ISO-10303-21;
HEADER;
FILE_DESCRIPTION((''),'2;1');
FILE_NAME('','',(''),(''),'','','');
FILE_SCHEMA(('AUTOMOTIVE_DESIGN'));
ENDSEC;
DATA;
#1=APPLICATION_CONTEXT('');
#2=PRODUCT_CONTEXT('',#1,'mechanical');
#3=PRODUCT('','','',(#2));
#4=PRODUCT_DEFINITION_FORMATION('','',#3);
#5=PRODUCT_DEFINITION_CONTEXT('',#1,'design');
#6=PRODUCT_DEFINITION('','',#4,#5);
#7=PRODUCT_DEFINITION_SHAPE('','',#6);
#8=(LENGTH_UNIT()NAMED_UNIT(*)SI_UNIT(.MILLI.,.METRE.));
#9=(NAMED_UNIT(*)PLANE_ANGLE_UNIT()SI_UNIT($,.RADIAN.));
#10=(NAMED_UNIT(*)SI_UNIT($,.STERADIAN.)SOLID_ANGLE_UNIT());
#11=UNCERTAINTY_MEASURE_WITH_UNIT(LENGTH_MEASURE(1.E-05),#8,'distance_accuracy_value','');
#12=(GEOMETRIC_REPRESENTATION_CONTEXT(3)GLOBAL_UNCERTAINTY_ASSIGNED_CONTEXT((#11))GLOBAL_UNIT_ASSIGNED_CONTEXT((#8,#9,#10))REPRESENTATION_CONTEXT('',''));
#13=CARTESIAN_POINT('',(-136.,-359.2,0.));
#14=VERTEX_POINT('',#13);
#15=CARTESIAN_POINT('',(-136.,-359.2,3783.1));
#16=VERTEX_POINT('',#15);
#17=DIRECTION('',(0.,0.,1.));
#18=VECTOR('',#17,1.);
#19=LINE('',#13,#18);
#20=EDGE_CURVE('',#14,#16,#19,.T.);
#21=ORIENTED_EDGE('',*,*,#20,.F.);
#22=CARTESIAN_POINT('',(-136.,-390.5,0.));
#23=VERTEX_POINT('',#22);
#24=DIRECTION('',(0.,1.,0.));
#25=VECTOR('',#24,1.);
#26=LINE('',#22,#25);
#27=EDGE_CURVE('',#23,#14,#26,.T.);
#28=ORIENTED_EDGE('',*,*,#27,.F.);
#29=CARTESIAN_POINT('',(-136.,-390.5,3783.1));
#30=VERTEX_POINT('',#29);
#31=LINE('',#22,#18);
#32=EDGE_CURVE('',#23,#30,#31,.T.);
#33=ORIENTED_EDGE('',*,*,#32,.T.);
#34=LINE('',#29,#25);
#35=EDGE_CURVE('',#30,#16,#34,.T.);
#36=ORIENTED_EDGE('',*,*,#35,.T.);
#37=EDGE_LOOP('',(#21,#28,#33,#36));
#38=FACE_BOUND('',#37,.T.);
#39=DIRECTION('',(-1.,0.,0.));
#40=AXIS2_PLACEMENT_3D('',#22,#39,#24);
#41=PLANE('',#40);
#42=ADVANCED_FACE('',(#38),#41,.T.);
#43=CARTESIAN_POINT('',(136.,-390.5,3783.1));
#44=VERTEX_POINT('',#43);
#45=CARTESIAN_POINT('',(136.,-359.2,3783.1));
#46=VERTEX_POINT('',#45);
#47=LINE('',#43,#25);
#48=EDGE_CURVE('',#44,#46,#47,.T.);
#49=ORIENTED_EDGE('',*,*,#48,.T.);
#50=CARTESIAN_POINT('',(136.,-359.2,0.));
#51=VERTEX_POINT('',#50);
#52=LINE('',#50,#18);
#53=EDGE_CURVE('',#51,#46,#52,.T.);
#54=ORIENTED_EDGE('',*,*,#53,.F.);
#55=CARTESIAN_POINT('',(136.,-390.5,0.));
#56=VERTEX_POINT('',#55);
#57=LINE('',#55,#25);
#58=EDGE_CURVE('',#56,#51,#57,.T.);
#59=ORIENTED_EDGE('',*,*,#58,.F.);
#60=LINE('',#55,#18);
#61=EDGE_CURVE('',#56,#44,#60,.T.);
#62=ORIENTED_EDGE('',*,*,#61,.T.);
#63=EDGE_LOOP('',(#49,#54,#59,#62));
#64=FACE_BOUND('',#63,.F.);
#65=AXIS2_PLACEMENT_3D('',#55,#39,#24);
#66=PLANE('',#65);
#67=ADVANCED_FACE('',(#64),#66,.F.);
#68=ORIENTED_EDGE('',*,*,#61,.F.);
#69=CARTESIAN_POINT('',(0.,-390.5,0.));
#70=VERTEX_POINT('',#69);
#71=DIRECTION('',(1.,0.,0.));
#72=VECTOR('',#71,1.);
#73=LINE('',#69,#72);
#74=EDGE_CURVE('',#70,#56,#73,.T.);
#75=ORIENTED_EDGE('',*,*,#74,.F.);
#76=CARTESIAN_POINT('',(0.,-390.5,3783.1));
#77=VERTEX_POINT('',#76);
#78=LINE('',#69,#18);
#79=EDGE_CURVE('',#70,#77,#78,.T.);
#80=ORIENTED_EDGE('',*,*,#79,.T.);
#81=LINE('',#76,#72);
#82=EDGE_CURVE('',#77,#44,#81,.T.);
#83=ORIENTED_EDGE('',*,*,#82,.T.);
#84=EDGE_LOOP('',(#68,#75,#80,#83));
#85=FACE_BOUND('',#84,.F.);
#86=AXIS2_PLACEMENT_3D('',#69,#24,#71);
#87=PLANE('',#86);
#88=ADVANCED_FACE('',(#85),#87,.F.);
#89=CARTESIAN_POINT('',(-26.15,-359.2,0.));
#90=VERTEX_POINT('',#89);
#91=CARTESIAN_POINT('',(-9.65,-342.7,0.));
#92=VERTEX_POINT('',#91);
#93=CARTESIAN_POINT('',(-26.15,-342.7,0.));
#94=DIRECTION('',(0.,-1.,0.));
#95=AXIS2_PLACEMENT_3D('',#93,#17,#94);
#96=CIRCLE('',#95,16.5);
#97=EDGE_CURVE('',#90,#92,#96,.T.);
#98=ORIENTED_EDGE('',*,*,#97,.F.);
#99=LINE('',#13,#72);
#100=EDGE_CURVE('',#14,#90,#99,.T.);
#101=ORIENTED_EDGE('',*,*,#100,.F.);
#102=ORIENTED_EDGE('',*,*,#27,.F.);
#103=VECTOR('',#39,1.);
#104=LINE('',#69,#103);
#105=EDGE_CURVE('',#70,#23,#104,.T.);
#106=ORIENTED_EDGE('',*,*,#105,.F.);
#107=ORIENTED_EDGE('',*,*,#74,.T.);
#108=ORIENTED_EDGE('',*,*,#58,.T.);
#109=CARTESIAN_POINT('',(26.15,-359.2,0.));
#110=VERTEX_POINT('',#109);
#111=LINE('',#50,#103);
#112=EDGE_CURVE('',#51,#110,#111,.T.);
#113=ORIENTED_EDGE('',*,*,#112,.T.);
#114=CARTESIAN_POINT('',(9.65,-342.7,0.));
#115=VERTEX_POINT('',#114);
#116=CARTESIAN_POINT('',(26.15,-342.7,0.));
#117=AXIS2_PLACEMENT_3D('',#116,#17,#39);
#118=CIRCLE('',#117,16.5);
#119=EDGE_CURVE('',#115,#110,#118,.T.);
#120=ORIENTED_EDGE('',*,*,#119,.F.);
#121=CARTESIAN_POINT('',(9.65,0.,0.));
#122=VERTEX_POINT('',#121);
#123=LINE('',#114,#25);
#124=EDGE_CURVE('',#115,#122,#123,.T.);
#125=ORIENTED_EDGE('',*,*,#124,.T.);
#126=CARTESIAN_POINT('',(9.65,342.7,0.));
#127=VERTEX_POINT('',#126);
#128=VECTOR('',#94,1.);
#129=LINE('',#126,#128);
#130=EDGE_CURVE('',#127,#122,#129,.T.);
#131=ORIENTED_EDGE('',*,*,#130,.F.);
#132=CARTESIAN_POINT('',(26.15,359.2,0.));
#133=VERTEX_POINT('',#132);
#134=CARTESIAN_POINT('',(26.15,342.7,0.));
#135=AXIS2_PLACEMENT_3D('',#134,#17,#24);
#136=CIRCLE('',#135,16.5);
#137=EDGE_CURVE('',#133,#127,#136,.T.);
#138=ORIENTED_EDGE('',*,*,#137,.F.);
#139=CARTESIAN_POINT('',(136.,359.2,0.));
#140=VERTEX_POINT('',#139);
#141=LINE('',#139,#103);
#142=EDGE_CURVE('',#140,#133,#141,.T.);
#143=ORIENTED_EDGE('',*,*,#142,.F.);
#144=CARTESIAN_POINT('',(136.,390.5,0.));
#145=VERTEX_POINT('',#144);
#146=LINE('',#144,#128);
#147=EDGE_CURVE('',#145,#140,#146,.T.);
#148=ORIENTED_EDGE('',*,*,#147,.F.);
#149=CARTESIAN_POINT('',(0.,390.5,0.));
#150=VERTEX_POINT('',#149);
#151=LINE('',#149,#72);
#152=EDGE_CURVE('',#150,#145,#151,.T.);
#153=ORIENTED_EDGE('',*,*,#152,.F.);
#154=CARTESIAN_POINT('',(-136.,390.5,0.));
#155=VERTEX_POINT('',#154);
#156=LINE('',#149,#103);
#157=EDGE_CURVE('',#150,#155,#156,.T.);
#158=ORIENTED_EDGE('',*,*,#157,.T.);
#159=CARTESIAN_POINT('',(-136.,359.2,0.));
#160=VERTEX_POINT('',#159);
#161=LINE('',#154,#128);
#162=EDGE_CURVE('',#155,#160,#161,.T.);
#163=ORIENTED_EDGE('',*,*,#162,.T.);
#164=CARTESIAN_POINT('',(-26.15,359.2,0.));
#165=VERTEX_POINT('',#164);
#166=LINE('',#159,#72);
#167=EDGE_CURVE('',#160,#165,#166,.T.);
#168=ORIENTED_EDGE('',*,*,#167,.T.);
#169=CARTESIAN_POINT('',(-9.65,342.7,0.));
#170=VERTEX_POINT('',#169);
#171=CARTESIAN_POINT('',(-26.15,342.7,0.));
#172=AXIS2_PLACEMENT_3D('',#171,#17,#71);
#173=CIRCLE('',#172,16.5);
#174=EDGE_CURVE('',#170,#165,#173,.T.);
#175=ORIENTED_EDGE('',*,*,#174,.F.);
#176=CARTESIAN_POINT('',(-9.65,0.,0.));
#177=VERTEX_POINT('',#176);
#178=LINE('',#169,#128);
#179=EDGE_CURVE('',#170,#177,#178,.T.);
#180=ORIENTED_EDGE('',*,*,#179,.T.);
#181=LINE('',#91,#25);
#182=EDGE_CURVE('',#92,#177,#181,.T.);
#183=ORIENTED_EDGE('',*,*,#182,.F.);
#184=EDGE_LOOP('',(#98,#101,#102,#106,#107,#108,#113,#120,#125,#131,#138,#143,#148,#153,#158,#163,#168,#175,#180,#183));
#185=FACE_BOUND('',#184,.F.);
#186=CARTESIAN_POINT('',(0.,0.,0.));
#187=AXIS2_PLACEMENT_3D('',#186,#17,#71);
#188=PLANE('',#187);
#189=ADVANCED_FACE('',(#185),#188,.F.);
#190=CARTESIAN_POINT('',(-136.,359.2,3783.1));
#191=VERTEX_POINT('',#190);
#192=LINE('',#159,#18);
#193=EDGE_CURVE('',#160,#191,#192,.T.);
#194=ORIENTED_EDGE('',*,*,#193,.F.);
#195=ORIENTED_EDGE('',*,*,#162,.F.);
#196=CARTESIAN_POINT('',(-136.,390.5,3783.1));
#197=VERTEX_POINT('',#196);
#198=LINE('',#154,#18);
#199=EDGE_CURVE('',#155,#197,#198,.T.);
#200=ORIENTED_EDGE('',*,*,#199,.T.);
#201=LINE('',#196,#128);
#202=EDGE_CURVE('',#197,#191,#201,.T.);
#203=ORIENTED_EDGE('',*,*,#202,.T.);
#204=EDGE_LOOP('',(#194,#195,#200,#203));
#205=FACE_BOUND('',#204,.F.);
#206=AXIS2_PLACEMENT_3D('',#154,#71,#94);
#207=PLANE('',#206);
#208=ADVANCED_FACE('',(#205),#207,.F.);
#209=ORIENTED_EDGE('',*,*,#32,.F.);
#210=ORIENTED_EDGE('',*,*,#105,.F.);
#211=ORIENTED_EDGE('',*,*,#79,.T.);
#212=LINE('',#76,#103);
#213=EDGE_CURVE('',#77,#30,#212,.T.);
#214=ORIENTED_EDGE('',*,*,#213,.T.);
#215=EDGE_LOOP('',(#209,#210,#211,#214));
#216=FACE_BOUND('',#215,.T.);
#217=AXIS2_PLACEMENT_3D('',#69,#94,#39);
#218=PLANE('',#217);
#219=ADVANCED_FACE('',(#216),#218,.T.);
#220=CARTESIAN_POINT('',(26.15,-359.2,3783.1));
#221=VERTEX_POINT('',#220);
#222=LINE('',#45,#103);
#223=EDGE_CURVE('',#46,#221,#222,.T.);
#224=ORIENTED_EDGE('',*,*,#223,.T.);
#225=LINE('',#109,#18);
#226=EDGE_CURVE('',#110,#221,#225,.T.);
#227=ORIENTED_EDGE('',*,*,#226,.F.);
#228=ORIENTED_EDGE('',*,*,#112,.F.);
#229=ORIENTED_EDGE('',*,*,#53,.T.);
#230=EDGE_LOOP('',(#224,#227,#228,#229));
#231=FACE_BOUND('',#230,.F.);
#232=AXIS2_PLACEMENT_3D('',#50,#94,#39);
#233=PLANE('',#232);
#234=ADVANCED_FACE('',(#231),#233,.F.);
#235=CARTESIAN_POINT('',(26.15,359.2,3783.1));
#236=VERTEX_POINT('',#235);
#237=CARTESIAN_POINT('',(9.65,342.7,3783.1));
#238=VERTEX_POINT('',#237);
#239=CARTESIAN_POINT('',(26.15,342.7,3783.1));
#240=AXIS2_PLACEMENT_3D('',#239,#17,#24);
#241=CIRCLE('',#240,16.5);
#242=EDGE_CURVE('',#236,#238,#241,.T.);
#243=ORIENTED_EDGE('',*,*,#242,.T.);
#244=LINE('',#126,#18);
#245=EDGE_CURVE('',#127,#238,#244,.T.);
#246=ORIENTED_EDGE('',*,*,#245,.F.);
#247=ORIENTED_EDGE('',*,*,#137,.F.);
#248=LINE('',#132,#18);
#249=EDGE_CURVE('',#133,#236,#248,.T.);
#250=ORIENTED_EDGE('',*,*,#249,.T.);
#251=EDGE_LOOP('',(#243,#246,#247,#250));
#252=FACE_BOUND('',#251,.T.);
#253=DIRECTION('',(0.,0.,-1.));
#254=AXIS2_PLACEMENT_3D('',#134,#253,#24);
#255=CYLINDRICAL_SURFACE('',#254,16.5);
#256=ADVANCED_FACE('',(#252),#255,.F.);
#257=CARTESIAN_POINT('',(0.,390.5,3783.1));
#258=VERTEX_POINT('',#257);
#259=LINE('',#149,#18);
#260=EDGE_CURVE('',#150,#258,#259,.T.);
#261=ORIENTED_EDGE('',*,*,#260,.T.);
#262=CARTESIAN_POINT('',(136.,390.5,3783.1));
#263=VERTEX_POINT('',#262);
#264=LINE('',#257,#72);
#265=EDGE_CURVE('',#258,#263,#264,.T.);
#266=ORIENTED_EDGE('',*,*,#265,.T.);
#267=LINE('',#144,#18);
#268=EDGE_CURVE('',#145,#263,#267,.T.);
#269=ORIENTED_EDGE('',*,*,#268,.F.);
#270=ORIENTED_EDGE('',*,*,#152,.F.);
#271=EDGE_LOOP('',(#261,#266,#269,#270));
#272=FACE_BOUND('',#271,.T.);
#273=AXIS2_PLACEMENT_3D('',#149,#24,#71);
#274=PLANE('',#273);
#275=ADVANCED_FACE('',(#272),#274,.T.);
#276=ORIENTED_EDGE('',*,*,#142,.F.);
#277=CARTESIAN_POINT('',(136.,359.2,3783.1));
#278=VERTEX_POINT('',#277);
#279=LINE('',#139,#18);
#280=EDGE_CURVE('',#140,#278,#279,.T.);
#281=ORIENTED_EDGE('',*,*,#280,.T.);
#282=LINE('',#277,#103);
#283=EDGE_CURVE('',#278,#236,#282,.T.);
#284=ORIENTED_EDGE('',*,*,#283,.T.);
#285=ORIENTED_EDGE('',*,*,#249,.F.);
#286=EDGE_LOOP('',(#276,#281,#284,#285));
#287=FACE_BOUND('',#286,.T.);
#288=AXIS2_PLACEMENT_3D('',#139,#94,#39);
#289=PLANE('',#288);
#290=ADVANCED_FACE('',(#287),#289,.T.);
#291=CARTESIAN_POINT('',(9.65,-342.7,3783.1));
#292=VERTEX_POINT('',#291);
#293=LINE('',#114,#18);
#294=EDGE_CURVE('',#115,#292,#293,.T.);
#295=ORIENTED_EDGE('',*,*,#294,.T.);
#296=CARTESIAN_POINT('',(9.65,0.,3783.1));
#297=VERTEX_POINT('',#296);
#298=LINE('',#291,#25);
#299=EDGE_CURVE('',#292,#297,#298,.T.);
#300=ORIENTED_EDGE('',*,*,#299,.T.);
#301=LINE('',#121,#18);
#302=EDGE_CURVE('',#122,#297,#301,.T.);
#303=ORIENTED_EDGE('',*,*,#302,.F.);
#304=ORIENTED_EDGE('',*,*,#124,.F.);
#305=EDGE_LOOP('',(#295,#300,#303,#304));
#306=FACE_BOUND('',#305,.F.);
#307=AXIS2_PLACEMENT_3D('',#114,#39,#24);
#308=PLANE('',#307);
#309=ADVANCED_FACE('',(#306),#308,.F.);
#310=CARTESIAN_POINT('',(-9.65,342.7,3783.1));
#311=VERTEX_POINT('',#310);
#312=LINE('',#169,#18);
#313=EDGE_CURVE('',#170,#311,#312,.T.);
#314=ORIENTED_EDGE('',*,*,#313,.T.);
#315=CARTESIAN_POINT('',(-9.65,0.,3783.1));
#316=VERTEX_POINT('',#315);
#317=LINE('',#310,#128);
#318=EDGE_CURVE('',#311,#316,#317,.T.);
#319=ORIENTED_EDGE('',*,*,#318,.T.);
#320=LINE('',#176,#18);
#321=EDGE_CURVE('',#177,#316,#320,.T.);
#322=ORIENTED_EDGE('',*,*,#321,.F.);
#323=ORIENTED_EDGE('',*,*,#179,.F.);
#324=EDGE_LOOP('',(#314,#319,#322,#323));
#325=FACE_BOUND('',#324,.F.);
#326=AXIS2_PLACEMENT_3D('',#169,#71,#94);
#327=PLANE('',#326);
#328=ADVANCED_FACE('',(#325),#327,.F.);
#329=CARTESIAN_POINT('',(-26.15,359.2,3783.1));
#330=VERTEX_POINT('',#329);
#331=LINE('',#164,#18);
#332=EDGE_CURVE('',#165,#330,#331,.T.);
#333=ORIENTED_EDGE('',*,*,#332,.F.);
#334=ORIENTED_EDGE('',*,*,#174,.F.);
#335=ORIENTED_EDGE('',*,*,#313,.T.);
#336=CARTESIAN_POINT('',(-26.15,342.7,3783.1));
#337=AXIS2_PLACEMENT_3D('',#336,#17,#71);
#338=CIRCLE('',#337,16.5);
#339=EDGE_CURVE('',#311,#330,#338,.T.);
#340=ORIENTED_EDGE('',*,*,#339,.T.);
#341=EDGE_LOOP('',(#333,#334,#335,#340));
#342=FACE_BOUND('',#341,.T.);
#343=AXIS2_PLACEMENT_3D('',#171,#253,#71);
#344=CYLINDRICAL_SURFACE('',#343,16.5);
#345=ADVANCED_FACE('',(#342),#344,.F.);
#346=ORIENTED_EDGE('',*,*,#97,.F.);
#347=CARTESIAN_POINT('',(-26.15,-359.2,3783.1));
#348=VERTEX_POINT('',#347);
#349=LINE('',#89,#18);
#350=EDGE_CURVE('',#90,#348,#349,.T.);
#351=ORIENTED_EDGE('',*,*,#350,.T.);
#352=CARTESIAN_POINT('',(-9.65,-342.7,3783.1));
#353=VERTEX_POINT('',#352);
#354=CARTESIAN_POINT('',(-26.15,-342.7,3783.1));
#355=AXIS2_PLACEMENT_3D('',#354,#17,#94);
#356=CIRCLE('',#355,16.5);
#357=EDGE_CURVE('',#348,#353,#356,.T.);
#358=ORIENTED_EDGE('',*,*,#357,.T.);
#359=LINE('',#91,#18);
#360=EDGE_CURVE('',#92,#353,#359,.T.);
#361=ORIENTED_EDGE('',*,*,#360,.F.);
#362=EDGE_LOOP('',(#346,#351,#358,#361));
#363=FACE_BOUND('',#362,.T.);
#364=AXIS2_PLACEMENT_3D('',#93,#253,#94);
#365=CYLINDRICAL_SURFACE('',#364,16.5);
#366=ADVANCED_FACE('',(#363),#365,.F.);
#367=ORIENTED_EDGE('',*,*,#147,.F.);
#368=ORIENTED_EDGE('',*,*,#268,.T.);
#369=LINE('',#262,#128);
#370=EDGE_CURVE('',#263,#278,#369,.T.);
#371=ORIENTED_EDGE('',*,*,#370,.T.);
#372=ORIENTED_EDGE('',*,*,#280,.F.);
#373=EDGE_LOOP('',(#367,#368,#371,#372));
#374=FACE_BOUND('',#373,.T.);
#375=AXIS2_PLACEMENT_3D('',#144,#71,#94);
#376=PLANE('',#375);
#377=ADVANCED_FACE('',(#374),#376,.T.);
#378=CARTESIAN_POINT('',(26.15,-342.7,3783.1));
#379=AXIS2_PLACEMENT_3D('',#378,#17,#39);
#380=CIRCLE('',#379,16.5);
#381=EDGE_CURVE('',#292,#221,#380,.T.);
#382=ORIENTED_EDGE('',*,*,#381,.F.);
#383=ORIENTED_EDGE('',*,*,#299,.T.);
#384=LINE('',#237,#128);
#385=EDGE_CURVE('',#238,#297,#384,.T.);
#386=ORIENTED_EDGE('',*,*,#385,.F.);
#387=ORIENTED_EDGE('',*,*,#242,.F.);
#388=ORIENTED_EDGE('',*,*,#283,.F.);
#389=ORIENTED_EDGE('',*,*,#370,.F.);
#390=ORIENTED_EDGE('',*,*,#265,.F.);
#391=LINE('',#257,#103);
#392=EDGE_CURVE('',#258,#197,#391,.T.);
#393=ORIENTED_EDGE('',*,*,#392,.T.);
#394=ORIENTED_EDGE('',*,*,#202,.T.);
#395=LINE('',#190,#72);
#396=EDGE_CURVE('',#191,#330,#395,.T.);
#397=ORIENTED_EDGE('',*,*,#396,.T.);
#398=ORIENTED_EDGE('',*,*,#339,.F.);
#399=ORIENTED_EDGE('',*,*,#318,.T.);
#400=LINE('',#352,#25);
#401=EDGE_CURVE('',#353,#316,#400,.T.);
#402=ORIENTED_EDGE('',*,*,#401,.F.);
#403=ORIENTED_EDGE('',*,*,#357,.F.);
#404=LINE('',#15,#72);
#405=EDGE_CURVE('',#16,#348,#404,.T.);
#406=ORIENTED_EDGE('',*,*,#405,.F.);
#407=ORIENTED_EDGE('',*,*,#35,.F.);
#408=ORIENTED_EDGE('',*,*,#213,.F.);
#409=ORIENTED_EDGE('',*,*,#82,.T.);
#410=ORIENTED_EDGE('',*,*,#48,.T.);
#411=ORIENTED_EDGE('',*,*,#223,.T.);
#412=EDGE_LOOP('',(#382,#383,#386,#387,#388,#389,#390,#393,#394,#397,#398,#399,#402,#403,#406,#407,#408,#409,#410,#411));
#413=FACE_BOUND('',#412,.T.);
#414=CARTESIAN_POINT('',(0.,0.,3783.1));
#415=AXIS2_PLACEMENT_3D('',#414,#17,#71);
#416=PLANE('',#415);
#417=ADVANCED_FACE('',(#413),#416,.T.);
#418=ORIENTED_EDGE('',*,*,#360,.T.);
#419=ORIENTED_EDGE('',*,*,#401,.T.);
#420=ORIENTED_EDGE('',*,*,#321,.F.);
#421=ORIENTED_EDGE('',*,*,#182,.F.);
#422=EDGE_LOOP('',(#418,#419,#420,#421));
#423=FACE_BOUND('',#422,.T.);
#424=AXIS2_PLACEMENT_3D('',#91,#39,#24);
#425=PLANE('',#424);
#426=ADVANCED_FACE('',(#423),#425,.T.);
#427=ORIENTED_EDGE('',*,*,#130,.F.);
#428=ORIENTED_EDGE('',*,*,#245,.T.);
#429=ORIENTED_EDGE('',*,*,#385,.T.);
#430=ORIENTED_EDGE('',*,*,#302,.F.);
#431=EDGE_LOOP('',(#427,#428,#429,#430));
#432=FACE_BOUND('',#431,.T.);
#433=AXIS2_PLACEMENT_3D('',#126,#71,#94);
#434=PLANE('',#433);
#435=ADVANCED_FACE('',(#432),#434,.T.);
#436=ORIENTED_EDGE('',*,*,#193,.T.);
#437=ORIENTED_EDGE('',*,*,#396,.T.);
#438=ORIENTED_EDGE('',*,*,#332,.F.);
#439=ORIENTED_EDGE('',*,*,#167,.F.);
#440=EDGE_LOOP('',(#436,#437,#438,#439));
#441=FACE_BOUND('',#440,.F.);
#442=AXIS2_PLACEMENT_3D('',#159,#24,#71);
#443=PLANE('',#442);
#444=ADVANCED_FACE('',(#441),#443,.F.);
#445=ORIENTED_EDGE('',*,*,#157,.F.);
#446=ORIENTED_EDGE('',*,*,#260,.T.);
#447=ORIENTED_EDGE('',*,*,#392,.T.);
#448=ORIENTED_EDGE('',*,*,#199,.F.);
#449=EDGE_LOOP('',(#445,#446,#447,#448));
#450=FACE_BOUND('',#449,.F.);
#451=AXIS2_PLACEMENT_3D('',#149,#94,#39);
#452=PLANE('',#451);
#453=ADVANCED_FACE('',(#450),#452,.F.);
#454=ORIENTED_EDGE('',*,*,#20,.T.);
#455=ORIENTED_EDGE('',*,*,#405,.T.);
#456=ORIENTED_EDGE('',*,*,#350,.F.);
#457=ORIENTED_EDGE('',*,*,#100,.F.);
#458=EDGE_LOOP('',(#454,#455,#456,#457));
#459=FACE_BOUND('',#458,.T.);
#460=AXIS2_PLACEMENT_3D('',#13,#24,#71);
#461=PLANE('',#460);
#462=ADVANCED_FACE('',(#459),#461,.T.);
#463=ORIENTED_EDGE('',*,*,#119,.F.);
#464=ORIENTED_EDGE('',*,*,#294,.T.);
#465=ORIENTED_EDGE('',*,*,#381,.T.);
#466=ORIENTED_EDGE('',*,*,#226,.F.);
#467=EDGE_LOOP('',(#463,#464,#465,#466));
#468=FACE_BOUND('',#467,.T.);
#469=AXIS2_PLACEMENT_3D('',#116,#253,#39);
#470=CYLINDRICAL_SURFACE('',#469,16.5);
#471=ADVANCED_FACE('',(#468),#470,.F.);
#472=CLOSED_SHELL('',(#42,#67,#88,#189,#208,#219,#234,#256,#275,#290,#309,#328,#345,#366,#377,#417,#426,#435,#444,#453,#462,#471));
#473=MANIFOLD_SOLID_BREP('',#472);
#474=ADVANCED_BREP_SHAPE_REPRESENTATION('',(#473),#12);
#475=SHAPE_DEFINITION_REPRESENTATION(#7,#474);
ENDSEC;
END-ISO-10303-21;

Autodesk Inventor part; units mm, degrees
ref_plane "YZ Plane" through (0, 0, 0) normal (1, 0, 0) x (0, 1, 0)
ref_plane "Start plane" through (0, 0, 0) normal (0, 0, 1) x (1, 0, 0)
ref_plane "End plane" through (0, 0, 3783.1) normal (0, 0, 1) x (1, 0, 0)
sketch "Sketch" plane through (0, 0, 0) normal (0, 0, 1) x (1, 0, 0)
  line L0 (-136, -390.5) -> (-136, -359.2)
  line L1 (-136, -359.2) -> (-26.15, -359.2)
  line L2 (-9.65, -342.7) -> (-9.65, 0)
  line L3 (-9.65, 0) -> (0, 0) construction
  line L4 (0, 0) -> (0, -390.5) construction
  line L5 (0, -390.5) -> (-136, -390.5)
  line L6 (-60, 0) -> (80, 0) construction
  line L7 (0, -60) -> (0, 80) construction
  line L8 (136, -390.5) -> (136, -359.2)
  line L9 (136, -359.2) -> (26.15, -359.2)
  line L10 (9.65, -342.7) -> (9.65, 0)
  line L11 (9.65, 0) -> (0, 0) construction
  line L12 (0, -390.5) -> (136, -390.5)
  line L13 (-136, 390.5) -> (-136, 359.2)
  line L14 (-136, 359.2) -> (-26.15, 359.2)
  line L15 (-9.65, 342.7) -> (-9.65, 0)
  line L16 (0, 390.5) -> (-136, 390.5)
  line L17 (136, 390.5) -> (136, 359.2)
  line L18 (136, 359.2) -> (26.15, 359.2)
  line L19 (0, 390.5) -> (136, 390.5)
  line L20 (9.65, 342.7) -> (9.65, 0)
  arc A0 (-9.65, 342.7) -> (-26.15, 359.2) centre (-26.15, 342.7) ccw
  arc A1 (26.15, 359.2) -> (9.65, 342.7) centre (26.15, 342.7) ccw
  arc A2 (9.65, -342.7) -> (26.15, -359.2) centre (26.15, -342.7) ccw
  arc A3 (-26.15, -359.2) -> (-9.65, -342.7) centre (-26.15, -342.7) ccw
  line L21 (0, 108) -> (0, -88) construction
  line L22 (-88, 0) -> (108, 0) construction
  point P0 (-9.65, -359.2)
  point P1 (9.65, -359.2)
  point P2 (-9.65, 359.2)
  point P3 (9.65, 359.2)
  dimension "d1" = 390.5
  dimension "d2" = 31.3
  dimension "d3" = 136
  dimension "d4" = 9.65
  dimension "d10" = 16.5
extrude "Body" add sketch "Sketch" along normal up to surface (3783.1 mm away) from surface at 0
sketch "Sketch4" plane through (0, 0, 0) normal (0, 0, 1) x (1, 0, 0)
  line L0 (0, 0) -> (10, 0)
ref_plane "Work Plane3" through (0, 0, 0) normal (0, -1, 0) x (1, 0, 0)
sketch "Sketch5" plane through (0, 0, 0) normal (0, -1, 0) x (1, 0, 0)
  line L0 (-2, 0) -> (12, 0) projected
  line L1 (-2, 3783.1) -> (12, 3783.1) projected
  dimension "d14" = 3783.1
equation "\"d1\" = 0.5 * G_H"
equation "\"d2\" = G_T1"
equation "\"d3\" = 0.5 * G_W"
equation "\"d4\" = 0.5 * G_T"
equation "\"d10\" = G_IR"
equation "\"d5\" = G_L"
equation "\"G_W\" = 272"
equation "\"G_H\" = 781"
equation "\"G_T\" = 19.3"
equation "\"G_T1\" = 31.3"
equation "\"G_IR\" = 16.5"
equation "\"G_L\" = d14"
equation "\"G_OFFSET_START\" = 0"
equation "\"G_OFFSET_END\" = 0"
equation "\"d12\" = G_OFFSET_END + B_L"
equation "\"B_L\" = 3783.1"
properties part number "AS 3679-1990 - 760 UB - 244 - 3783.1" material "Steel, Mild"
